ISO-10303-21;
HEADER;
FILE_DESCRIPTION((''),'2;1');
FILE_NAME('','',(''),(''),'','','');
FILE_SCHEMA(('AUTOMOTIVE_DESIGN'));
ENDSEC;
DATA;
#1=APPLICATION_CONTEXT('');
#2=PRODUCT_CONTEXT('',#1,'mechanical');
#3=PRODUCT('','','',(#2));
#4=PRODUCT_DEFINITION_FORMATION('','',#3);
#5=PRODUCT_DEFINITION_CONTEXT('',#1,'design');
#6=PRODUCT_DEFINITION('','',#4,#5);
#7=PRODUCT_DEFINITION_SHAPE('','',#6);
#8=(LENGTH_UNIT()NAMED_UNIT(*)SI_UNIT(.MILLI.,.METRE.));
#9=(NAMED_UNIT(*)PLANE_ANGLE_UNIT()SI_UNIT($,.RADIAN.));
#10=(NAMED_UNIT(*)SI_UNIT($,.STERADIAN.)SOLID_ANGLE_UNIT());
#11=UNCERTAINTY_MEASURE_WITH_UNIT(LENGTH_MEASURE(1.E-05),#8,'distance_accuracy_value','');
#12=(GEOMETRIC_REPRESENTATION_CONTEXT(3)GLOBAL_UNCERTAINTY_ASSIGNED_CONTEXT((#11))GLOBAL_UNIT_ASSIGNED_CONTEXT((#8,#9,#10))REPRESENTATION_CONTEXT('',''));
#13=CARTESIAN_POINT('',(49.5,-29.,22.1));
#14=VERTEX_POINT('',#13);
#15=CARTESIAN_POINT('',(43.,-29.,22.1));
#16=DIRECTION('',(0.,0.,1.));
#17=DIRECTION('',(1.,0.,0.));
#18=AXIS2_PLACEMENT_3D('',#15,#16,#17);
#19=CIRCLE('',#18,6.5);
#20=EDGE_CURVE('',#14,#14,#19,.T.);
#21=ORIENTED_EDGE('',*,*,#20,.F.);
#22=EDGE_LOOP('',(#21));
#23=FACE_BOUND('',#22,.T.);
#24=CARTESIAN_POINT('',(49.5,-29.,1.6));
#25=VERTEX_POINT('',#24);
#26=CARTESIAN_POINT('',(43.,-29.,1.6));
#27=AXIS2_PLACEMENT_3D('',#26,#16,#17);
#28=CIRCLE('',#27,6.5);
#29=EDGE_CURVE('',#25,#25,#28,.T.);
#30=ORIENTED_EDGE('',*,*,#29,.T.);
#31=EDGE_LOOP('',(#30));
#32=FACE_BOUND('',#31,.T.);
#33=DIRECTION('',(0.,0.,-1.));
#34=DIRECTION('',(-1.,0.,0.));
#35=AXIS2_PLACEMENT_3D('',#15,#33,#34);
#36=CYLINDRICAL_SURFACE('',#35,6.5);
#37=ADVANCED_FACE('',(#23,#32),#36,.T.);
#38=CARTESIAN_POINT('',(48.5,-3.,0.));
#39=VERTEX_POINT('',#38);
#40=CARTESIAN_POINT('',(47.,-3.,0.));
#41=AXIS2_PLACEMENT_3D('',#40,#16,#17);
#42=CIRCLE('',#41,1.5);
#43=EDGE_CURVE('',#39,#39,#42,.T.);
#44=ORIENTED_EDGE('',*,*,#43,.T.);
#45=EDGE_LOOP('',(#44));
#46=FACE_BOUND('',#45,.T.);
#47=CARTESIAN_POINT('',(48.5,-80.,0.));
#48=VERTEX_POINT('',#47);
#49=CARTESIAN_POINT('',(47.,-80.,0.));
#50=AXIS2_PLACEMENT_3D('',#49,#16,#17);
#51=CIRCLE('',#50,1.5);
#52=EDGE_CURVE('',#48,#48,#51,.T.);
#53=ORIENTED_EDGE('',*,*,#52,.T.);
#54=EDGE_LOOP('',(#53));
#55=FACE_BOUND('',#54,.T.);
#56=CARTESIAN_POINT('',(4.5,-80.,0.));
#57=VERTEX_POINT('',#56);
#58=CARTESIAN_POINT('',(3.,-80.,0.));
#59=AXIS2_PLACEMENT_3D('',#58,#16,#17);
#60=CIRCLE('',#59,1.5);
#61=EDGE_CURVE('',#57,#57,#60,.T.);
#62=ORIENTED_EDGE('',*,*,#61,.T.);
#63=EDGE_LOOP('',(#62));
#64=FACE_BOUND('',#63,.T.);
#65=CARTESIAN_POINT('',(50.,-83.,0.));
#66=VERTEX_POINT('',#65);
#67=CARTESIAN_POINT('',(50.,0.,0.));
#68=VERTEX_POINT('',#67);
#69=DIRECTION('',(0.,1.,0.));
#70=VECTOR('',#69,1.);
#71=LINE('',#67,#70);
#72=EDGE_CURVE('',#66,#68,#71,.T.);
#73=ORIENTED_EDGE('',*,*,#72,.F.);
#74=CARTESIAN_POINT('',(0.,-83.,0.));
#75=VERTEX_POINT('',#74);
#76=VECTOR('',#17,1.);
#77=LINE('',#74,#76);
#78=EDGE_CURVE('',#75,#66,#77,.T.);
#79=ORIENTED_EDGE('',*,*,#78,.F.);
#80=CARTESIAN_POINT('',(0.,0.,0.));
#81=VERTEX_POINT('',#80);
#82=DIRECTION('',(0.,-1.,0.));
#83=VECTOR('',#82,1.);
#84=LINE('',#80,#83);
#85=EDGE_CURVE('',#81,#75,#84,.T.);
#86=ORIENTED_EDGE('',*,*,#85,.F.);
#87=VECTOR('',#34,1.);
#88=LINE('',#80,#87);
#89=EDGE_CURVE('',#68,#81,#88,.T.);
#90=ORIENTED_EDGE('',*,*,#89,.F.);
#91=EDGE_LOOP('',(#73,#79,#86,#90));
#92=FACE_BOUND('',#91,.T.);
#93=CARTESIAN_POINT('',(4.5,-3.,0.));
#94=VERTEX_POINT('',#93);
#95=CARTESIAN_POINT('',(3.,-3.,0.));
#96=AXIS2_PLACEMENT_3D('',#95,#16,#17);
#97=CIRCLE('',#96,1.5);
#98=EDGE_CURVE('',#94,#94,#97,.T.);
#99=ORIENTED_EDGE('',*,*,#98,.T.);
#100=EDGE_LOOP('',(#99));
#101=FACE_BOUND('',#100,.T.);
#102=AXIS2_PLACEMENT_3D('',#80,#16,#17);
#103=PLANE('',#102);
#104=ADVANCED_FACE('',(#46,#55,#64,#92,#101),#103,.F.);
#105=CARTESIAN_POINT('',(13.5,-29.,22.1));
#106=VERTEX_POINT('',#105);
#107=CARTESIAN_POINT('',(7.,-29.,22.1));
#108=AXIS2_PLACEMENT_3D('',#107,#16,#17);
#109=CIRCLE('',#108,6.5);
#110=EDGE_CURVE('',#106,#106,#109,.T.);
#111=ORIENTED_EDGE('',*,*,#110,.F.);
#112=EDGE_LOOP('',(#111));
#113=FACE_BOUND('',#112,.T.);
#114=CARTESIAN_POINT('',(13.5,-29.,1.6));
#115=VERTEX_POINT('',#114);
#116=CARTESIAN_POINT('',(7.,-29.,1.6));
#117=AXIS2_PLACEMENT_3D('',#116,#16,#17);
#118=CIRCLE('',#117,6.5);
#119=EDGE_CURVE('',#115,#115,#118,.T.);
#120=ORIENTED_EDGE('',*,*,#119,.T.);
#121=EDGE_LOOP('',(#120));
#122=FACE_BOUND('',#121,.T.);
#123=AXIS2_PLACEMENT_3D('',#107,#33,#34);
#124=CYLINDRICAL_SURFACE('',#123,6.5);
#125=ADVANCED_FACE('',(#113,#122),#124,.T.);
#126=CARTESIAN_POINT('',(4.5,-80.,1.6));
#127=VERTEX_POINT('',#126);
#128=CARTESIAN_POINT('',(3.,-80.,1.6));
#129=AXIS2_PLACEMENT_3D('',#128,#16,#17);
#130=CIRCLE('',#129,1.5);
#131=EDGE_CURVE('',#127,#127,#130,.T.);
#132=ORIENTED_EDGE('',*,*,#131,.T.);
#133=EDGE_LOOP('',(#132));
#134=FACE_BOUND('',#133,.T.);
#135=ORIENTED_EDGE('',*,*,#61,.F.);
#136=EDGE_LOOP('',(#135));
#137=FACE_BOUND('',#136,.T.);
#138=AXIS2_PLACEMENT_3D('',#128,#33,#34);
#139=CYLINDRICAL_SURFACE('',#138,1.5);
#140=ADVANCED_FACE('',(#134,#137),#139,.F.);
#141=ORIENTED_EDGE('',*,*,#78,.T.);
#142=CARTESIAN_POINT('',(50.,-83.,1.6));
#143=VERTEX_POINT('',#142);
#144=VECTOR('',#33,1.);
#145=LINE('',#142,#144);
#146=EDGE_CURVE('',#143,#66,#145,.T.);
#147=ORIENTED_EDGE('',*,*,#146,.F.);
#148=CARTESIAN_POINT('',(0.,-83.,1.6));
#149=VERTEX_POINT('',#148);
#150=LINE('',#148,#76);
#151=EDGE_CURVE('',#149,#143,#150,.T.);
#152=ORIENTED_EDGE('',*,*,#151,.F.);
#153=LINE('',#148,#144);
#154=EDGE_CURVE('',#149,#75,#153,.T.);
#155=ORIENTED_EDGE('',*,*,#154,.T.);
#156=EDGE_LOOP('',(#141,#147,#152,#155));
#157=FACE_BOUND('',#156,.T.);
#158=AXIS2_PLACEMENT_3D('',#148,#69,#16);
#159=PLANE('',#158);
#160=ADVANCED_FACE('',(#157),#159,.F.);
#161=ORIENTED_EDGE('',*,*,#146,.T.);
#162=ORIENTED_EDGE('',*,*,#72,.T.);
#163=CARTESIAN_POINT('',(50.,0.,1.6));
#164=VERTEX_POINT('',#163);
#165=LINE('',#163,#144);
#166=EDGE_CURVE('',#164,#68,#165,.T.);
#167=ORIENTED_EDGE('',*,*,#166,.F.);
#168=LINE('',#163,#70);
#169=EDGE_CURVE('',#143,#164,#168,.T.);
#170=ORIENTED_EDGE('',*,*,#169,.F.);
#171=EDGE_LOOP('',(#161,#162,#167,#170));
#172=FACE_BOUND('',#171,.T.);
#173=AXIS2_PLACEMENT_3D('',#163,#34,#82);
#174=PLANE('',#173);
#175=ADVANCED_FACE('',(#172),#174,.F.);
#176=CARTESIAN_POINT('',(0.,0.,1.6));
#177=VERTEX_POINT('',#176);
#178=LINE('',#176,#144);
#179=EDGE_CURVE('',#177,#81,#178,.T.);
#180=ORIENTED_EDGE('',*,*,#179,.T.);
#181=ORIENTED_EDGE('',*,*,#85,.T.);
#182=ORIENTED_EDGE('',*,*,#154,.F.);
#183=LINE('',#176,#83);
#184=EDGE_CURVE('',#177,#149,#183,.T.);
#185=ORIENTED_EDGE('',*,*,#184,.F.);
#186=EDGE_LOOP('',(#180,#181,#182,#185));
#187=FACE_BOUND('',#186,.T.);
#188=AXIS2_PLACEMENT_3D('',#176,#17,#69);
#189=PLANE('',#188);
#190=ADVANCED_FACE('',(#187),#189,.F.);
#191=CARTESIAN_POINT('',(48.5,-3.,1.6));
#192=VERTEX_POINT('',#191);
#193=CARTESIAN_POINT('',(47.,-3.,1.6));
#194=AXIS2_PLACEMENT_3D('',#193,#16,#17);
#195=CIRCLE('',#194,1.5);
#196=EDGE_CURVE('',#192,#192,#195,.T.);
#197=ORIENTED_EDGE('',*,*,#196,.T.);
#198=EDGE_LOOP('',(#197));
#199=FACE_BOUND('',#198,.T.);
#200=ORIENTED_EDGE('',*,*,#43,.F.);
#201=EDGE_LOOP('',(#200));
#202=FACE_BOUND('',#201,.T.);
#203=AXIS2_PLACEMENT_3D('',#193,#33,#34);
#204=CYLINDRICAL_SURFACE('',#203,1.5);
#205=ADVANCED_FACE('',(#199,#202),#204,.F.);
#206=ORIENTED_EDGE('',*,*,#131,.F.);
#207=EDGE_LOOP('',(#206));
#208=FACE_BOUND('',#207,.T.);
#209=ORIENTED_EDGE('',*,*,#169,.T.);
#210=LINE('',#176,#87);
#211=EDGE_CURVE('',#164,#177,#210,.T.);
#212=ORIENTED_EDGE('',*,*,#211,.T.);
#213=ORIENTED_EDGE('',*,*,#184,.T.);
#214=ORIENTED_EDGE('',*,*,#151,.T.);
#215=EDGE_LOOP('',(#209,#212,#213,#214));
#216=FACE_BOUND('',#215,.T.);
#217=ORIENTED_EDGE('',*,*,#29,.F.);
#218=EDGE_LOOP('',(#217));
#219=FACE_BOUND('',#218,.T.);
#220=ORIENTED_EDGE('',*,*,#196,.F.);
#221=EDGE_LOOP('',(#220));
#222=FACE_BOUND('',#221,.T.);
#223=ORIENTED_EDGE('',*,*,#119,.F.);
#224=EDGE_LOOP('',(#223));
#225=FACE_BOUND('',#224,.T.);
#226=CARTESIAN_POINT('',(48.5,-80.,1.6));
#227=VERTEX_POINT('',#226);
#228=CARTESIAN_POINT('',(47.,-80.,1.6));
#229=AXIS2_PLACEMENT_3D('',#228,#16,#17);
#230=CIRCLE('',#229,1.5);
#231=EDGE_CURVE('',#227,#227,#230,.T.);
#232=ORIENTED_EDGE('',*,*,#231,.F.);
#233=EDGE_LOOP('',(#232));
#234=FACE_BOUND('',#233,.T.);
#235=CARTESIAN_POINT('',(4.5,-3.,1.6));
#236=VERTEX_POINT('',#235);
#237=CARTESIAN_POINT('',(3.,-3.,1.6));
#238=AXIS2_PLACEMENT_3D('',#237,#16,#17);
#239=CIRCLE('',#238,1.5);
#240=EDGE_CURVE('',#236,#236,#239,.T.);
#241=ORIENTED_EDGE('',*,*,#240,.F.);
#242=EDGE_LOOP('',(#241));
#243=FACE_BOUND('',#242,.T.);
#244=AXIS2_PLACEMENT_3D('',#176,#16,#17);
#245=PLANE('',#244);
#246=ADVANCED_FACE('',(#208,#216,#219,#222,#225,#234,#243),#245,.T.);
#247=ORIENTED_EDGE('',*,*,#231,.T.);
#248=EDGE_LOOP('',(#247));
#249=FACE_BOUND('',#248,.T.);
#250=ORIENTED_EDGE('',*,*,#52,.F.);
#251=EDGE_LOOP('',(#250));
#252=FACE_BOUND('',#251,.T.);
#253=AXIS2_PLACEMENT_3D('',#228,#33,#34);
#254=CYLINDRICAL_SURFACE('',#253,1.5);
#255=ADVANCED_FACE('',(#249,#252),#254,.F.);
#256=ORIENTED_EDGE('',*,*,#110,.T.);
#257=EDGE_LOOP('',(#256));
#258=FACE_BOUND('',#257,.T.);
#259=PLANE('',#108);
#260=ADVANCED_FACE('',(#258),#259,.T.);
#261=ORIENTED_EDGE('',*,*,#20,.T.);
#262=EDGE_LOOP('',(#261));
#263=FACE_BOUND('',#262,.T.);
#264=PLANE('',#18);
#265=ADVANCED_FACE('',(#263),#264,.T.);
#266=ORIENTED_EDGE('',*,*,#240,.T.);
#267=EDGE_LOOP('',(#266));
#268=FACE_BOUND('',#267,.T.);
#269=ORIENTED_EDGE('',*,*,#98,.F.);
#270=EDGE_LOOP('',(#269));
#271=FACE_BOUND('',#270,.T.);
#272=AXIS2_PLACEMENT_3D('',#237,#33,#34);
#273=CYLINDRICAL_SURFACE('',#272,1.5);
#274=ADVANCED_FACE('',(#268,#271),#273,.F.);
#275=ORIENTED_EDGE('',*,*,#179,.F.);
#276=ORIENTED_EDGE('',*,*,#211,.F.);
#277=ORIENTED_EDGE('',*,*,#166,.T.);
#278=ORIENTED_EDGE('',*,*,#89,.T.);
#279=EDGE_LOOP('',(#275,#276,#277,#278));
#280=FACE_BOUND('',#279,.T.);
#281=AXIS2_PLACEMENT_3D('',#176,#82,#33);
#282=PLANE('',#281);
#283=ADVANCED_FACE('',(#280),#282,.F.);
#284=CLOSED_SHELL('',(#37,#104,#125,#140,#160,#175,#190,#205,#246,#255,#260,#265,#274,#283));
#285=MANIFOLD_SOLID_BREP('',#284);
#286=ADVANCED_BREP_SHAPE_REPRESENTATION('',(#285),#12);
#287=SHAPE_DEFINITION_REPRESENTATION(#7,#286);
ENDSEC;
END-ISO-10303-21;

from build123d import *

# Parameters (mm, degrees)
ESQUISSE1_W        = 50
ESQUISSE1_H        = 83
ESQUISSE1_R        = 1.5
BOSS_EXTRU_1_DEPTH = 1.6
ESQUISSE2_R        = 6.5
BOSS_EXTRU_2_DEPTH = 20.5


with BuildPart() as part:
    # Esquisse1 → Boss.-Extru.1 (new body)
    with BuildSketch(Plane.XY):
        with Locations((25, -41.5)):
            Rectangle(ESQUISSE1_W, ESQUISSE1_H)
        with Locations((3, -3)):
            Circle(ESQUISSE1_R, mode=Mode.SUBTRACT)
        with Locations((47, -3)):
            Circle(ESQUISSE1_R, mode=Mode.SUBTRACT)
        with Locations((47, -80)):
            Circle(ESQUISSE1_R, mode=Mode.SUBTRACT)
        with Locations((3, -80)):
            Circle(ESQUISSE1_R, mode=Mode.SUBTRACT)
    extrude(amount=BOSS_EXTRU_1_DEPTH)

    # Esquisse2 → Boss.-Extru.2 (add)
    with BuildSketch(Plane.XY.offset(1.6)):
        with Locations((7, -29)):
            Circle(ESQUISSE2_R)
        with Locations((43, -29)):
            Circle(ESQUISSE2_R)
    extrude(amount=BOSS_EXTRU_2_DEPTH)


solid = part.part
